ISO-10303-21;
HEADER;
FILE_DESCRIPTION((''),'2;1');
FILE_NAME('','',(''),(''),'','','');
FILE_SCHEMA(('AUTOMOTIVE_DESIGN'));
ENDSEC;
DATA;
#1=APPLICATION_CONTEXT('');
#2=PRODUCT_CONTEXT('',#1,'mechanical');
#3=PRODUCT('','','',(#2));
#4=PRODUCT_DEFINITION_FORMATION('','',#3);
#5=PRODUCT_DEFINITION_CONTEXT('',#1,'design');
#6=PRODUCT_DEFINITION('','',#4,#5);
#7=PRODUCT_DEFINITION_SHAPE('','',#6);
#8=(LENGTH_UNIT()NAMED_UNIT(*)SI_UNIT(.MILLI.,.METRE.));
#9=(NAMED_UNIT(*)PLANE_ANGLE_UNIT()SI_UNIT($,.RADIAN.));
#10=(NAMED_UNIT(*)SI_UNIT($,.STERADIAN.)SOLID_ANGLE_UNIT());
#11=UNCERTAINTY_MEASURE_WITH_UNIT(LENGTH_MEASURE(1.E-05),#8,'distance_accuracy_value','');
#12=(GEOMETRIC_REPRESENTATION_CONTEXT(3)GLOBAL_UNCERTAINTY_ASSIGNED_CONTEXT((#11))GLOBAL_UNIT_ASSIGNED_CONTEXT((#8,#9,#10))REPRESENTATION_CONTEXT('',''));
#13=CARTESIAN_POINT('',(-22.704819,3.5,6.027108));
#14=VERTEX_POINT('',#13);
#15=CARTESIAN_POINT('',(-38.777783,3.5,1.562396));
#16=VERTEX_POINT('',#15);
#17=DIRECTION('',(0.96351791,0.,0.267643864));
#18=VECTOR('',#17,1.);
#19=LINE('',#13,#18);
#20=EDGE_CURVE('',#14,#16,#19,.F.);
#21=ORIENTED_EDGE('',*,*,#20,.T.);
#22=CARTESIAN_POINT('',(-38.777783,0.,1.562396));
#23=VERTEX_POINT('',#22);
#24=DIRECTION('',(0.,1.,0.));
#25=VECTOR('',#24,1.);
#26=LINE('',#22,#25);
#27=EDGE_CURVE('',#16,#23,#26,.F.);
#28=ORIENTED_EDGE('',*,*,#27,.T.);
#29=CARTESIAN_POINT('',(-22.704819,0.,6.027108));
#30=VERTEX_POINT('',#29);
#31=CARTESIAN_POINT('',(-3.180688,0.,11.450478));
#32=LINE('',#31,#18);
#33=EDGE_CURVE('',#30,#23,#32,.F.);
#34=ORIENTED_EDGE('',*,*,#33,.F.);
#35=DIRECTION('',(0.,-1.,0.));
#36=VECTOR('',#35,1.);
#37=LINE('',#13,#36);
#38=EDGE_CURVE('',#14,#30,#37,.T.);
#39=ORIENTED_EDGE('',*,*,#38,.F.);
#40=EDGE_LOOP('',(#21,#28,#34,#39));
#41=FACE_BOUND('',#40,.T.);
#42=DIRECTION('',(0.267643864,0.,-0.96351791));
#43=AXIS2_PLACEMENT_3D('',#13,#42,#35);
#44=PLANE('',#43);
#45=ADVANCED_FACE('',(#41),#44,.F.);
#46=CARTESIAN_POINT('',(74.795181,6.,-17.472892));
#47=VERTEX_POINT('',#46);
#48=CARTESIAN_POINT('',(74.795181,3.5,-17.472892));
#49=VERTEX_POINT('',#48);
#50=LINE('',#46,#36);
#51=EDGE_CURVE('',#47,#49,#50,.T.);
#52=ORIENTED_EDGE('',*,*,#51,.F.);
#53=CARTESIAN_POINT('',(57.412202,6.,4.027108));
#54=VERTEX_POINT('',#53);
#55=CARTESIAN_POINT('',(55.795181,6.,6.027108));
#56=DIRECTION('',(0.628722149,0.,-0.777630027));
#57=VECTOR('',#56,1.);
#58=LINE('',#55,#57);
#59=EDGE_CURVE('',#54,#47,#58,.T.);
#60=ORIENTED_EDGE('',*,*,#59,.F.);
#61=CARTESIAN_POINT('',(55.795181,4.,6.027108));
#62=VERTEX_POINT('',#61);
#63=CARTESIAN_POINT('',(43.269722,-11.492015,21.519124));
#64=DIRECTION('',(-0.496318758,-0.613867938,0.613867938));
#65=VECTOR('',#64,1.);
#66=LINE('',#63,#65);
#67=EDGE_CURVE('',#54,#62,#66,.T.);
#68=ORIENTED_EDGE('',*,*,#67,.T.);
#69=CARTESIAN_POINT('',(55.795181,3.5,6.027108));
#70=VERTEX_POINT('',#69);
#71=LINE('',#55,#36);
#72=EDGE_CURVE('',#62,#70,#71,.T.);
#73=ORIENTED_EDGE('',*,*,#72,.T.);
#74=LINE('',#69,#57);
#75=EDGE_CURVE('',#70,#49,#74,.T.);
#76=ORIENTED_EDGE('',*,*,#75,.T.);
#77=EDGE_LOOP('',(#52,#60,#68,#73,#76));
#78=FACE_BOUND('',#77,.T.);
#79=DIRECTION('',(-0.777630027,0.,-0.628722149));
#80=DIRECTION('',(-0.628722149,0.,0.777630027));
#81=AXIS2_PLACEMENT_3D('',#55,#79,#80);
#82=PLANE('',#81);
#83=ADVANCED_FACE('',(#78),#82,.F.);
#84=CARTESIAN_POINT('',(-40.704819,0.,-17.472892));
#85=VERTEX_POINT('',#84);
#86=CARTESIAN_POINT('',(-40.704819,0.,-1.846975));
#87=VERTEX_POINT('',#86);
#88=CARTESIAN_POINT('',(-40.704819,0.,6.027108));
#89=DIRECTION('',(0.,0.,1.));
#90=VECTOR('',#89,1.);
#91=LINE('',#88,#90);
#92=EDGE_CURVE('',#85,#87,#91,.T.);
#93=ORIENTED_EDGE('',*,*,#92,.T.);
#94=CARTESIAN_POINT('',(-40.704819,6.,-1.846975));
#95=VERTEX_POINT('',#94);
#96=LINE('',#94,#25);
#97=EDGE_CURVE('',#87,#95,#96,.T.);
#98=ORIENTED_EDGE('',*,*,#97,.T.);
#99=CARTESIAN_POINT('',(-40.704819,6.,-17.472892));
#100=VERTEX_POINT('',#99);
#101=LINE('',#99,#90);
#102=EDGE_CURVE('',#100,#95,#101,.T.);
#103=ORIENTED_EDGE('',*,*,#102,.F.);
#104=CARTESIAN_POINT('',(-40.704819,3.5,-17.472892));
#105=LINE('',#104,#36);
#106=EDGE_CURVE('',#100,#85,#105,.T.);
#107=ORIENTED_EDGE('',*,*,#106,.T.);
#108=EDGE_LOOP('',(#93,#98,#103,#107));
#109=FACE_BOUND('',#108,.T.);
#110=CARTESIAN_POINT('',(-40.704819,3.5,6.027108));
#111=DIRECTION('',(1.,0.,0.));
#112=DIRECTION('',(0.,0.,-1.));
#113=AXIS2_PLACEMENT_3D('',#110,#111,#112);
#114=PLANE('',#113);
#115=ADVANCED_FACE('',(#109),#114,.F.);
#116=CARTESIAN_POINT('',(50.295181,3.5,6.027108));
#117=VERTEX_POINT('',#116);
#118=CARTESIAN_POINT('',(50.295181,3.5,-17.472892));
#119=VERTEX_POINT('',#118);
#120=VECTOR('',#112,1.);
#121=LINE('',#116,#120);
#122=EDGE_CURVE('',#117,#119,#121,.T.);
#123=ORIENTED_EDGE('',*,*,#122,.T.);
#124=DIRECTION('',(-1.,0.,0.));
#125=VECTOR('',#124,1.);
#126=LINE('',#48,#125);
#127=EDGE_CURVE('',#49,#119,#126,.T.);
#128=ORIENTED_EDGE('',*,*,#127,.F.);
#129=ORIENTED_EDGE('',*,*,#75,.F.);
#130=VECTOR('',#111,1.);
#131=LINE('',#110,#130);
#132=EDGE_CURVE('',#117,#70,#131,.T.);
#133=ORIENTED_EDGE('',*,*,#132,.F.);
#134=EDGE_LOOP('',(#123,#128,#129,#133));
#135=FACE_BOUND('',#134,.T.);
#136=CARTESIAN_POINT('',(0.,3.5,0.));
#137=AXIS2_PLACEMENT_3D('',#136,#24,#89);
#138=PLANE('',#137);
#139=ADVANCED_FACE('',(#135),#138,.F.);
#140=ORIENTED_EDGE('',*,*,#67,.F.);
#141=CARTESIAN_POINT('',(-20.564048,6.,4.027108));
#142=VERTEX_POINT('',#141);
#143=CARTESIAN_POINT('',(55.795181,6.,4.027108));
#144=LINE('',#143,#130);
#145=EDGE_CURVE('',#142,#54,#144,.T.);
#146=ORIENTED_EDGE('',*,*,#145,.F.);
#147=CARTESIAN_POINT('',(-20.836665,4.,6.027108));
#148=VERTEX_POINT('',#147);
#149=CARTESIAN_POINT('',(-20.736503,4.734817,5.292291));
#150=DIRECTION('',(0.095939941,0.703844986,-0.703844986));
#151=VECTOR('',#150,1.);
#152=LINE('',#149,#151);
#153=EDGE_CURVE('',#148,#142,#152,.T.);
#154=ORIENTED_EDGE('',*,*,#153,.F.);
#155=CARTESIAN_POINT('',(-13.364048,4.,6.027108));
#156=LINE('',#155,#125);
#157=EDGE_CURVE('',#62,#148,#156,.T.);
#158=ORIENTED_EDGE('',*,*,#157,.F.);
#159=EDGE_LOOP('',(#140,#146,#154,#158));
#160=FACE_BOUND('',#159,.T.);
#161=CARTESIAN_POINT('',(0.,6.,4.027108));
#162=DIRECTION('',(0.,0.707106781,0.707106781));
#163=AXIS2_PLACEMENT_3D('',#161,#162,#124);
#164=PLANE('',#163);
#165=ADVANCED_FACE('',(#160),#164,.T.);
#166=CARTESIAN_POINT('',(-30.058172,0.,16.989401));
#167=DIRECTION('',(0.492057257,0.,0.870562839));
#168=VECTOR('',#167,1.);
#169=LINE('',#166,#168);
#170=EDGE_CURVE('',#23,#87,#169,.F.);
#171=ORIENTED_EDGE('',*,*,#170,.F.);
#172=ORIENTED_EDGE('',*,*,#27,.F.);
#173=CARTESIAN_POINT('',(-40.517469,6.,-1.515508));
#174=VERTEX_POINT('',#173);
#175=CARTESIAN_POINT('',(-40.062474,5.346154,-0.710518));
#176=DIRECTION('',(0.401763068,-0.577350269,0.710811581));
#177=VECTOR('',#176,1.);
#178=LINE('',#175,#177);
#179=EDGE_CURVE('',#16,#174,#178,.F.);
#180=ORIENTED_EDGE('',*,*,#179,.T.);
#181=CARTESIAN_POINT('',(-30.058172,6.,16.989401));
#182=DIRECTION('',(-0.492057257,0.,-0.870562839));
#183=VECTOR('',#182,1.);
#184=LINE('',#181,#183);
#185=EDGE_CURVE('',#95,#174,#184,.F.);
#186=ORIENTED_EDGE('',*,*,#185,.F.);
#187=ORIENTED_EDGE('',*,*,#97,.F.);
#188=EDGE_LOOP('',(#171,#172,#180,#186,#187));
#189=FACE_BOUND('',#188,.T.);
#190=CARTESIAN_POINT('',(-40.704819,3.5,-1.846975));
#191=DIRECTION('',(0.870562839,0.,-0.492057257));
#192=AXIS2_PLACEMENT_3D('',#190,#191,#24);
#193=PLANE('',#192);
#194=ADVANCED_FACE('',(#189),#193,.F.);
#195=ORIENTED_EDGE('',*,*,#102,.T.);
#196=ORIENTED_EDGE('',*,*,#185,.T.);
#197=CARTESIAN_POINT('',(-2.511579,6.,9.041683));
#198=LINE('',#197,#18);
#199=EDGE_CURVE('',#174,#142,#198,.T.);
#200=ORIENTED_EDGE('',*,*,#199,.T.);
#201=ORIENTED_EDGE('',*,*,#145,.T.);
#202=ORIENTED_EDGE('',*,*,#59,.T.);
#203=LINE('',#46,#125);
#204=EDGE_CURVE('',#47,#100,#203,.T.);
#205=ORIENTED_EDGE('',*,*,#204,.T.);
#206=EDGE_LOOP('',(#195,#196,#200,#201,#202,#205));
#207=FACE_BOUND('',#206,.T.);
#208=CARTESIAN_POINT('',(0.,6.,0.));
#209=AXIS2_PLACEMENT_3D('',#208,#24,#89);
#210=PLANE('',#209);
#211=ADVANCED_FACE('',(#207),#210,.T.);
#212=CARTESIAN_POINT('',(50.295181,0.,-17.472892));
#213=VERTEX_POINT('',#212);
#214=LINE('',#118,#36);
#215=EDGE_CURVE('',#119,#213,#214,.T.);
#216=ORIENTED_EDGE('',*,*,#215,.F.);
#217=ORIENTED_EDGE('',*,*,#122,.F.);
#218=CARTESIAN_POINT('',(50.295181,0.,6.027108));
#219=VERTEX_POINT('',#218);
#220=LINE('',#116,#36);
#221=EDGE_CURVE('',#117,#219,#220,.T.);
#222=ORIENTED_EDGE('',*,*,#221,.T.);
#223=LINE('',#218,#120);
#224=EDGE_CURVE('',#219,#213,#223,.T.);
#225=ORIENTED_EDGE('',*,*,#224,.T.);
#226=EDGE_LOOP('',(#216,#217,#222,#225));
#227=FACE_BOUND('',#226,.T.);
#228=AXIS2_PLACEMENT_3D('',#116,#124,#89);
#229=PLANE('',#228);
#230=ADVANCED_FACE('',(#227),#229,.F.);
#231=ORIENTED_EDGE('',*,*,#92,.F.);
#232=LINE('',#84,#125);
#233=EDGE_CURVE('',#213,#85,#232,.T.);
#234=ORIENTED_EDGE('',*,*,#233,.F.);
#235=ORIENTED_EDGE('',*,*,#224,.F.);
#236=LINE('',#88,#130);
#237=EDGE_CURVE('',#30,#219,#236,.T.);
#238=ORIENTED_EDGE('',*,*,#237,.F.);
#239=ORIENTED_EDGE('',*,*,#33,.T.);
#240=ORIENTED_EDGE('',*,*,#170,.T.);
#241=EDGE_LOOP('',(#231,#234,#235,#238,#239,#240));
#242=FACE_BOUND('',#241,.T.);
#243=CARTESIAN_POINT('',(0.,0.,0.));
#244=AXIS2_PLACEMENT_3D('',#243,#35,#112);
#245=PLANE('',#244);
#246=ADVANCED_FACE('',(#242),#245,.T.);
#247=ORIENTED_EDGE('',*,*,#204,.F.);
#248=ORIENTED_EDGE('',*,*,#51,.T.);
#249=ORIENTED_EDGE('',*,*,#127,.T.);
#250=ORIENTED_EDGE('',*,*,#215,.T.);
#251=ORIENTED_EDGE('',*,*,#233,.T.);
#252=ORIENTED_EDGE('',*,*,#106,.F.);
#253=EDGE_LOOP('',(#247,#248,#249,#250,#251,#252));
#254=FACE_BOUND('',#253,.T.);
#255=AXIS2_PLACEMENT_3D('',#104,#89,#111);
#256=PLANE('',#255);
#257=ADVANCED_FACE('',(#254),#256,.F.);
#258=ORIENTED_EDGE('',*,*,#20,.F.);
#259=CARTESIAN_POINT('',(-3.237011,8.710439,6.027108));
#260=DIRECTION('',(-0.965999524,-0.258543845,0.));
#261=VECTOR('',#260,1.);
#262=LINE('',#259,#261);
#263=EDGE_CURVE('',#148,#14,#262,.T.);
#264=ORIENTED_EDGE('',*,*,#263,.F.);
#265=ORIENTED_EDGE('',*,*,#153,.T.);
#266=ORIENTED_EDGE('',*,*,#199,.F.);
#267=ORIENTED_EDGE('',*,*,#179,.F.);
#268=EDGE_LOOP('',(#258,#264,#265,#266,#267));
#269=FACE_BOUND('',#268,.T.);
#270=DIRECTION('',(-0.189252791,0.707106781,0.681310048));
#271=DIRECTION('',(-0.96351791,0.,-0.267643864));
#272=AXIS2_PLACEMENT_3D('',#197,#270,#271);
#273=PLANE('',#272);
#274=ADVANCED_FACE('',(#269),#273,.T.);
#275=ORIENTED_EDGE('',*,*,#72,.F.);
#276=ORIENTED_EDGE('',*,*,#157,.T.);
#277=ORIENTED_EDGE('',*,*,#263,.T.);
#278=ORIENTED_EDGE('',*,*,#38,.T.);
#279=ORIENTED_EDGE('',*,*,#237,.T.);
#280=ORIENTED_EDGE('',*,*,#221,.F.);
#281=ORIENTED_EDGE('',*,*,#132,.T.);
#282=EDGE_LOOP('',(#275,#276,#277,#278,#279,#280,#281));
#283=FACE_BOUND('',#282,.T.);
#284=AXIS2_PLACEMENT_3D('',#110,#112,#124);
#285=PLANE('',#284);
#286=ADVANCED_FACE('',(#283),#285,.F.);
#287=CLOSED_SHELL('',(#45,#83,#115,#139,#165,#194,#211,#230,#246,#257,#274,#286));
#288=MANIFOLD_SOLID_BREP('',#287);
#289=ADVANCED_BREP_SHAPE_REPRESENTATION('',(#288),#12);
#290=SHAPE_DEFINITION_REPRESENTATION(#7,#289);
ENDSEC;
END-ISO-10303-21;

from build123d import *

# Parameters (mm, degrees)
SKETCH1_W           = 91
SKETCH1_H           = 23.5
BOSS_EXTRUDE1_DEPTH = 3.5
BOSS_EXTRUDE2_DEPTH = 2.5
CHAMFER1_SIZE       = 5
CHAMFER1_SIZE2      = 18
CHAMFER2_SIZE       = 2
CHAMFER2_SIZE2      = 2.874083337
CHAMFER3_SIZE       = 2.5
CHAMFER4_SIZE       = 2


with BuildPart() as part:
    # Sketch1 → Boss-Extrude1 (new body)
    with BuildSketch(Plane(origin=(0, 0, 0), x_dir=(1, 0, 0), z_dir=(0, 1, 0))):
        with Locations((4.795180723, 5.722891566)):
            Rectangle(SKETCH1_W, SKETCH1_H)
    extrude(amount=BOSS_EXTRUDE1_DEPTH)

    # Sketch2 → Boss-Extrude2 (add)
    with BuildSketch(Plane(origin=(0, 3.5, 0), x_dir=(1, 0, 0), z_dir=(0, 1, 0))):
        Polygon((-40.704819277, 17.472891566), (-40.704819277, -6.027108434), (55.795180723, -6.027108434), (74.795180723, 17.472891566), align=None)
    extrude(amount=BOSS_EXTRUDE2_DEPTH)

    # Chamfer1
    chamfer1_edges = [part.edges().sort_by_distance(p)[0] for p in [
        (-40.704819277, 3, 6.027108434),
    ]]
    chamfer1_side = [part.faces().sort_by_distance(p)[0] for p in [
        (-40.704819277, 3, -5.722891566),
    ]]
    chamfer(chamfer1_edges, length=CHAMFER1_SIZE, length2=CHAMFER1_SIZE2, reference=chamfer1_side[0])

    # Chamfer2
    chamfer2_edges = [part.edges().sort_by_distance(p)[0] for p in [
        (-40.704819277, 3, 1.027108434),
    ]]
    chamfer2_side = [part.faces().sort_by_distance(p)[0] for p in [
        (-31.704819277, 3, 3.527108434),
    ]]
    chamfer(chamfer2_edges, length=CHAMFER2_SIZE, length2=CHAMFER2_SIZE2, reference=chamfer2_side[0])

    # Chamfer3
    chamfer3_edges = [part.edges().sort_by_distance(p)[0] for p in [
        (-30.741301367, 6, 3.794752298),
    ]]
    chamfer(chamfer3_edges, length=CHAMFER3_SIZE)

    # Chamfer4
    chamfer4_edges = [part.edges().sort_by_distance(p)[0] for p in [
        (21.215566146, 6, 6.027108434),
    ]]
    chamfer(chamfer4_edges, length=CHAMFER4_SIZE)


solid = part.part
